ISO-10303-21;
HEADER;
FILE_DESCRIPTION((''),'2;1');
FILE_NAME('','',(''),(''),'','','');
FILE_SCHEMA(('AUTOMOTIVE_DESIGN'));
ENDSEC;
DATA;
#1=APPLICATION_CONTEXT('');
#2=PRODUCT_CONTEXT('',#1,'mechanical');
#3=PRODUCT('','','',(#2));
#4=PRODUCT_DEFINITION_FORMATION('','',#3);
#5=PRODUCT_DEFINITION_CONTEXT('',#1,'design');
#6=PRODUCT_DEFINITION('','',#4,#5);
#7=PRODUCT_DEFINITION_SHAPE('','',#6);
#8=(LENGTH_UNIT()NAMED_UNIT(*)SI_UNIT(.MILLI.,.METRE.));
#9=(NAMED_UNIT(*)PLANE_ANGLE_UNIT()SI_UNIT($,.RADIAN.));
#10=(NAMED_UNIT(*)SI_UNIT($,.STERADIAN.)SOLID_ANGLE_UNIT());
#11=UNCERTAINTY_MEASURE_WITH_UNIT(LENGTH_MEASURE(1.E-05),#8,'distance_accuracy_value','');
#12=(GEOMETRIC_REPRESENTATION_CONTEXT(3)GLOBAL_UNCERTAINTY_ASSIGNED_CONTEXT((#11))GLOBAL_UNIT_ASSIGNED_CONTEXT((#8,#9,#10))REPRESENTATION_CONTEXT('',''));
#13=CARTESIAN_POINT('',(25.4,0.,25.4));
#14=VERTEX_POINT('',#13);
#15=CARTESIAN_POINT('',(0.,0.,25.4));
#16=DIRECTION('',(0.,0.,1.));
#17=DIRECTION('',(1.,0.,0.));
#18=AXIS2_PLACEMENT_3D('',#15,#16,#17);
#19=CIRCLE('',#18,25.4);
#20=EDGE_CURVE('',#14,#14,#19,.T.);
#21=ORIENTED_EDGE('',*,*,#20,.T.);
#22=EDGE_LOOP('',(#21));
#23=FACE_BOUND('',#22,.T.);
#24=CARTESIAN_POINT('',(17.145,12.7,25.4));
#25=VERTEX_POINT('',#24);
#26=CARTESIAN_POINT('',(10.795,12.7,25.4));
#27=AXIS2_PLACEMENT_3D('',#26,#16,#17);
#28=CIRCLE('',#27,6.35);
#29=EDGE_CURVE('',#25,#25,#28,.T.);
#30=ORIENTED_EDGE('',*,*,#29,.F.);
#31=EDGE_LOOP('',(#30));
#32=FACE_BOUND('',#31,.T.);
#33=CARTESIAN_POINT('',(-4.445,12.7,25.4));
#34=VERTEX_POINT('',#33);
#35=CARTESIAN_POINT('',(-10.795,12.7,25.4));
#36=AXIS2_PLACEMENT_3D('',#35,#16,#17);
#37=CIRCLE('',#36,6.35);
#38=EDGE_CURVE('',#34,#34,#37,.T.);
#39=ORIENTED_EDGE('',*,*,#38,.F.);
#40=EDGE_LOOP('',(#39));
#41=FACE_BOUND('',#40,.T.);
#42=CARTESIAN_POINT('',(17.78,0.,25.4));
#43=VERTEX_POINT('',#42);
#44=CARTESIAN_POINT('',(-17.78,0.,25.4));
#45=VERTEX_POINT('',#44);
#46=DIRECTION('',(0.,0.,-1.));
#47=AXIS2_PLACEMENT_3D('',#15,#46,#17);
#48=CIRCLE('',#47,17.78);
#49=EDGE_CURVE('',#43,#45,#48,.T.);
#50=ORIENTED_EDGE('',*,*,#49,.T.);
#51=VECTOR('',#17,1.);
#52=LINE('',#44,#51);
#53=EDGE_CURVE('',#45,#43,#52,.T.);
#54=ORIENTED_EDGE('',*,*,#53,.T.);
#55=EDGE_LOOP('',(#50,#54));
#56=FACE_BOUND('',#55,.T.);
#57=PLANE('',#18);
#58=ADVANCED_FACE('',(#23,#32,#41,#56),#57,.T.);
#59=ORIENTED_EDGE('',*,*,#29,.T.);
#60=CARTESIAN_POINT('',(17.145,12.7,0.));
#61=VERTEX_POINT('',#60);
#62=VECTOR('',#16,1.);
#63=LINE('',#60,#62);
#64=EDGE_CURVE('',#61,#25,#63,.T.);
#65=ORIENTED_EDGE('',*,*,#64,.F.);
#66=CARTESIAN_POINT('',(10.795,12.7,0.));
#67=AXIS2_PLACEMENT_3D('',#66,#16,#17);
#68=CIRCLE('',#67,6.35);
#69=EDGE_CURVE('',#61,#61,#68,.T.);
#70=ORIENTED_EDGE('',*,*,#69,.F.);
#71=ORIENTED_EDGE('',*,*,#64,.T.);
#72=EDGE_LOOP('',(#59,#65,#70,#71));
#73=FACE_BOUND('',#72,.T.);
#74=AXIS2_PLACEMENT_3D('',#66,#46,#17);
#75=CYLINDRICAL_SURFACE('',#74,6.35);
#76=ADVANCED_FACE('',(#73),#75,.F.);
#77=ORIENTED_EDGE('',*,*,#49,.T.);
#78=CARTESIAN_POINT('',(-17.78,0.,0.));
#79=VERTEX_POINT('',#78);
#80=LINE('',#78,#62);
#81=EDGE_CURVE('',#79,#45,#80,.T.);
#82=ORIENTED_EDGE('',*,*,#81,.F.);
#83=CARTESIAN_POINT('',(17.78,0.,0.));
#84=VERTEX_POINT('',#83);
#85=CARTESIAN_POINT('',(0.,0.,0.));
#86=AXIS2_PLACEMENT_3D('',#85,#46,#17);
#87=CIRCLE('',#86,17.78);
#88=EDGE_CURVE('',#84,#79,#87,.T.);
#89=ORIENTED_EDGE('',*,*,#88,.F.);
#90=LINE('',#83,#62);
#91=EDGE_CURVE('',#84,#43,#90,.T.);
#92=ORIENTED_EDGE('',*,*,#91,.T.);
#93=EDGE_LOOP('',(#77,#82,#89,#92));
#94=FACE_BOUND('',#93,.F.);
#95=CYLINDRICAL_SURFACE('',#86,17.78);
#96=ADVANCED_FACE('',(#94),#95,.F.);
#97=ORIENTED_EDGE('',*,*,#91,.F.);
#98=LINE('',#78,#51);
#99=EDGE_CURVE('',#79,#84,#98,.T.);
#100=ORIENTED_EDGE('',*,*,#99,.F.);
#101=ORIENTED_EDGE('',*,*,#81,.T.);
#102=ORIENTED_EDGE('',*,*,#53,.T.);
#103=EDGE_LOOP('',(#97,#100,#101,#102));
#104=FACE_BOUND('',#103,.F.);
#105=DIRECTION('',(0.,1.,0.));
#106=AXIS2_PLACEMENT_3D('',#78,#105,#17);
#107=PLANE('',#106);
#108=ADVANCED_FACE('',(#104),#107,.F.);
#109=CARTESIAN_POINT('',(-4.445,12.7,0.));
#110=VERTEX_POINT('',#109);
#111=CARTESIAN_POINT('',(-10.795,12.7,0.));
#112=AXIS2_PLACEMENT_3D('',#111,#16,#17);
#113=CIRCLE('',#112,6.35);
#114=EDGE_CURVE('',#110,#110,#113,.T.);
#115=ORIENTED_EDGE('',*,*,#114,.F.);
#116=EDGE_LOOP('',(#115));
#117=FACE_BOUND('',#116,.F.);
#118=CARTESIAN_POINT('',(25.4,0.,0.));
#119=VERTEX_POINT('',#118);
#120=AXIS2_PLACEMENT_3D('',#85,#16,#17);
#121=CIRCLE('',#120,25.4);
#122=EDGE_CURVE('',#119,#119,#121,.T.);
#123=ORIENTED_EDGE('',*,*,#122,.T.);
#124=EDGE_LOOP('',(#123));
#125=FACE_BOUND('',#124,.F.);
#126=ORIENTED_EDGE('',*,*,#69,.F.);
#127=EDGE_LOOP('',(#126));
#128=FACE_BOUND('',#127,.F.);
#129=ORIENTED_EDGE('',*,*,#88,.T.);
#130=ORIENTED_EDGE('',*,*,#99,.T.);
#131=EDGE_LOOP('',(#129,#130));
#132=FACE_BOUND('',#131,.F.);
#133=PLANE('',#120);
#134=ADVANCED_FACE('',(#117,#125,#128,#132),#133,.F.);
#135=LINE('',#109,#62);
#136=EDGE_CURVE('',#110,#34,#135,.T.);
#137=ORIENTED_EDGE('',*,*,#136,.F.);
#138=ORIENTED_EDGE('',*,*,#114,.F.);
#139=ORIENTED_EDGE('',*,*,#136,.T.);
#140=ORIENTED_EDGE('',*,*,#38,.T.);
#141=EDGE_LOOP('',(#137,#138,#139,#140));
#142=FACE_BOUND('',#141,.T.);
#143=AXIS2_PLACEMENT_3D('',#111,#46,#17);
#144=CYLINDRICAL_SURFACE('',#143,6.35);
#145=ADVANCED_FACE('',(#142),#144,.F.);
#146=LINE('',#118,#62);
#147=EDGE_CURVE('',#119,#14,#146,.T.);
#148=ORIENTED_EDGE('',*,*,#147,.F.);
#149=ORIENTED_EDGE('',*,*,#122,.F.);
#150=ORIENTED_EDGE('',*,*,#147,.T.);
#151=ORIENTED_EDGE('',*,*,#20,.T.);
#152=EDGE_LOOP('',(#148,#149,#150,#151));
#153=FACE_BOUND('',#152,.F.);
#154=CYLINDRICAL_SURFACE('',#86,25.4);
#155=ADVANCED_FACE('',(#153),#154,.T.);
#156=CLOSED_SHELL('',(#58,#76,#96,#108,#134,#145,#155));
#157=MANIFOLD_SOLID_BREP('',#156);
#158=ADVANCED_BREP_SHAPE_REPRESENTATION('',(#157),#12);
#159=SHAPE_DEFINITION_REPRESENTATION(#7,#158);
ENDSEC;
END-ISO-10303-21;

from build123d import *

# Parameters (mm, degrees)
F0_R     = 25.4
F0_R_2   = 6.35
F1_DEPTH = 25.4


with BuildPart() as f1:
    # F0 (on Top) → F1 (new body)
    with BuildSketch(Plane.XY):
        Circle(F0_R)
        with BuildLine():
            Line((-17.78, 0), (17.78, 0))
            ThreePointArc((17.78, 0), (0, -17.78), (-17.78, 0))
        make_face(mode=Mode.SUBTRACT)
        with Locations((-10.795, 12.7)):
            Circle(F0_R_2, mode=Mode.SUBTRACT)
        with Locations((10.795, 12.7)):
            Circle(F0_R_2, mode=Mode.SUBTRACT)
    extrude(amount=F1_DEPTH)


solid = f1.part
